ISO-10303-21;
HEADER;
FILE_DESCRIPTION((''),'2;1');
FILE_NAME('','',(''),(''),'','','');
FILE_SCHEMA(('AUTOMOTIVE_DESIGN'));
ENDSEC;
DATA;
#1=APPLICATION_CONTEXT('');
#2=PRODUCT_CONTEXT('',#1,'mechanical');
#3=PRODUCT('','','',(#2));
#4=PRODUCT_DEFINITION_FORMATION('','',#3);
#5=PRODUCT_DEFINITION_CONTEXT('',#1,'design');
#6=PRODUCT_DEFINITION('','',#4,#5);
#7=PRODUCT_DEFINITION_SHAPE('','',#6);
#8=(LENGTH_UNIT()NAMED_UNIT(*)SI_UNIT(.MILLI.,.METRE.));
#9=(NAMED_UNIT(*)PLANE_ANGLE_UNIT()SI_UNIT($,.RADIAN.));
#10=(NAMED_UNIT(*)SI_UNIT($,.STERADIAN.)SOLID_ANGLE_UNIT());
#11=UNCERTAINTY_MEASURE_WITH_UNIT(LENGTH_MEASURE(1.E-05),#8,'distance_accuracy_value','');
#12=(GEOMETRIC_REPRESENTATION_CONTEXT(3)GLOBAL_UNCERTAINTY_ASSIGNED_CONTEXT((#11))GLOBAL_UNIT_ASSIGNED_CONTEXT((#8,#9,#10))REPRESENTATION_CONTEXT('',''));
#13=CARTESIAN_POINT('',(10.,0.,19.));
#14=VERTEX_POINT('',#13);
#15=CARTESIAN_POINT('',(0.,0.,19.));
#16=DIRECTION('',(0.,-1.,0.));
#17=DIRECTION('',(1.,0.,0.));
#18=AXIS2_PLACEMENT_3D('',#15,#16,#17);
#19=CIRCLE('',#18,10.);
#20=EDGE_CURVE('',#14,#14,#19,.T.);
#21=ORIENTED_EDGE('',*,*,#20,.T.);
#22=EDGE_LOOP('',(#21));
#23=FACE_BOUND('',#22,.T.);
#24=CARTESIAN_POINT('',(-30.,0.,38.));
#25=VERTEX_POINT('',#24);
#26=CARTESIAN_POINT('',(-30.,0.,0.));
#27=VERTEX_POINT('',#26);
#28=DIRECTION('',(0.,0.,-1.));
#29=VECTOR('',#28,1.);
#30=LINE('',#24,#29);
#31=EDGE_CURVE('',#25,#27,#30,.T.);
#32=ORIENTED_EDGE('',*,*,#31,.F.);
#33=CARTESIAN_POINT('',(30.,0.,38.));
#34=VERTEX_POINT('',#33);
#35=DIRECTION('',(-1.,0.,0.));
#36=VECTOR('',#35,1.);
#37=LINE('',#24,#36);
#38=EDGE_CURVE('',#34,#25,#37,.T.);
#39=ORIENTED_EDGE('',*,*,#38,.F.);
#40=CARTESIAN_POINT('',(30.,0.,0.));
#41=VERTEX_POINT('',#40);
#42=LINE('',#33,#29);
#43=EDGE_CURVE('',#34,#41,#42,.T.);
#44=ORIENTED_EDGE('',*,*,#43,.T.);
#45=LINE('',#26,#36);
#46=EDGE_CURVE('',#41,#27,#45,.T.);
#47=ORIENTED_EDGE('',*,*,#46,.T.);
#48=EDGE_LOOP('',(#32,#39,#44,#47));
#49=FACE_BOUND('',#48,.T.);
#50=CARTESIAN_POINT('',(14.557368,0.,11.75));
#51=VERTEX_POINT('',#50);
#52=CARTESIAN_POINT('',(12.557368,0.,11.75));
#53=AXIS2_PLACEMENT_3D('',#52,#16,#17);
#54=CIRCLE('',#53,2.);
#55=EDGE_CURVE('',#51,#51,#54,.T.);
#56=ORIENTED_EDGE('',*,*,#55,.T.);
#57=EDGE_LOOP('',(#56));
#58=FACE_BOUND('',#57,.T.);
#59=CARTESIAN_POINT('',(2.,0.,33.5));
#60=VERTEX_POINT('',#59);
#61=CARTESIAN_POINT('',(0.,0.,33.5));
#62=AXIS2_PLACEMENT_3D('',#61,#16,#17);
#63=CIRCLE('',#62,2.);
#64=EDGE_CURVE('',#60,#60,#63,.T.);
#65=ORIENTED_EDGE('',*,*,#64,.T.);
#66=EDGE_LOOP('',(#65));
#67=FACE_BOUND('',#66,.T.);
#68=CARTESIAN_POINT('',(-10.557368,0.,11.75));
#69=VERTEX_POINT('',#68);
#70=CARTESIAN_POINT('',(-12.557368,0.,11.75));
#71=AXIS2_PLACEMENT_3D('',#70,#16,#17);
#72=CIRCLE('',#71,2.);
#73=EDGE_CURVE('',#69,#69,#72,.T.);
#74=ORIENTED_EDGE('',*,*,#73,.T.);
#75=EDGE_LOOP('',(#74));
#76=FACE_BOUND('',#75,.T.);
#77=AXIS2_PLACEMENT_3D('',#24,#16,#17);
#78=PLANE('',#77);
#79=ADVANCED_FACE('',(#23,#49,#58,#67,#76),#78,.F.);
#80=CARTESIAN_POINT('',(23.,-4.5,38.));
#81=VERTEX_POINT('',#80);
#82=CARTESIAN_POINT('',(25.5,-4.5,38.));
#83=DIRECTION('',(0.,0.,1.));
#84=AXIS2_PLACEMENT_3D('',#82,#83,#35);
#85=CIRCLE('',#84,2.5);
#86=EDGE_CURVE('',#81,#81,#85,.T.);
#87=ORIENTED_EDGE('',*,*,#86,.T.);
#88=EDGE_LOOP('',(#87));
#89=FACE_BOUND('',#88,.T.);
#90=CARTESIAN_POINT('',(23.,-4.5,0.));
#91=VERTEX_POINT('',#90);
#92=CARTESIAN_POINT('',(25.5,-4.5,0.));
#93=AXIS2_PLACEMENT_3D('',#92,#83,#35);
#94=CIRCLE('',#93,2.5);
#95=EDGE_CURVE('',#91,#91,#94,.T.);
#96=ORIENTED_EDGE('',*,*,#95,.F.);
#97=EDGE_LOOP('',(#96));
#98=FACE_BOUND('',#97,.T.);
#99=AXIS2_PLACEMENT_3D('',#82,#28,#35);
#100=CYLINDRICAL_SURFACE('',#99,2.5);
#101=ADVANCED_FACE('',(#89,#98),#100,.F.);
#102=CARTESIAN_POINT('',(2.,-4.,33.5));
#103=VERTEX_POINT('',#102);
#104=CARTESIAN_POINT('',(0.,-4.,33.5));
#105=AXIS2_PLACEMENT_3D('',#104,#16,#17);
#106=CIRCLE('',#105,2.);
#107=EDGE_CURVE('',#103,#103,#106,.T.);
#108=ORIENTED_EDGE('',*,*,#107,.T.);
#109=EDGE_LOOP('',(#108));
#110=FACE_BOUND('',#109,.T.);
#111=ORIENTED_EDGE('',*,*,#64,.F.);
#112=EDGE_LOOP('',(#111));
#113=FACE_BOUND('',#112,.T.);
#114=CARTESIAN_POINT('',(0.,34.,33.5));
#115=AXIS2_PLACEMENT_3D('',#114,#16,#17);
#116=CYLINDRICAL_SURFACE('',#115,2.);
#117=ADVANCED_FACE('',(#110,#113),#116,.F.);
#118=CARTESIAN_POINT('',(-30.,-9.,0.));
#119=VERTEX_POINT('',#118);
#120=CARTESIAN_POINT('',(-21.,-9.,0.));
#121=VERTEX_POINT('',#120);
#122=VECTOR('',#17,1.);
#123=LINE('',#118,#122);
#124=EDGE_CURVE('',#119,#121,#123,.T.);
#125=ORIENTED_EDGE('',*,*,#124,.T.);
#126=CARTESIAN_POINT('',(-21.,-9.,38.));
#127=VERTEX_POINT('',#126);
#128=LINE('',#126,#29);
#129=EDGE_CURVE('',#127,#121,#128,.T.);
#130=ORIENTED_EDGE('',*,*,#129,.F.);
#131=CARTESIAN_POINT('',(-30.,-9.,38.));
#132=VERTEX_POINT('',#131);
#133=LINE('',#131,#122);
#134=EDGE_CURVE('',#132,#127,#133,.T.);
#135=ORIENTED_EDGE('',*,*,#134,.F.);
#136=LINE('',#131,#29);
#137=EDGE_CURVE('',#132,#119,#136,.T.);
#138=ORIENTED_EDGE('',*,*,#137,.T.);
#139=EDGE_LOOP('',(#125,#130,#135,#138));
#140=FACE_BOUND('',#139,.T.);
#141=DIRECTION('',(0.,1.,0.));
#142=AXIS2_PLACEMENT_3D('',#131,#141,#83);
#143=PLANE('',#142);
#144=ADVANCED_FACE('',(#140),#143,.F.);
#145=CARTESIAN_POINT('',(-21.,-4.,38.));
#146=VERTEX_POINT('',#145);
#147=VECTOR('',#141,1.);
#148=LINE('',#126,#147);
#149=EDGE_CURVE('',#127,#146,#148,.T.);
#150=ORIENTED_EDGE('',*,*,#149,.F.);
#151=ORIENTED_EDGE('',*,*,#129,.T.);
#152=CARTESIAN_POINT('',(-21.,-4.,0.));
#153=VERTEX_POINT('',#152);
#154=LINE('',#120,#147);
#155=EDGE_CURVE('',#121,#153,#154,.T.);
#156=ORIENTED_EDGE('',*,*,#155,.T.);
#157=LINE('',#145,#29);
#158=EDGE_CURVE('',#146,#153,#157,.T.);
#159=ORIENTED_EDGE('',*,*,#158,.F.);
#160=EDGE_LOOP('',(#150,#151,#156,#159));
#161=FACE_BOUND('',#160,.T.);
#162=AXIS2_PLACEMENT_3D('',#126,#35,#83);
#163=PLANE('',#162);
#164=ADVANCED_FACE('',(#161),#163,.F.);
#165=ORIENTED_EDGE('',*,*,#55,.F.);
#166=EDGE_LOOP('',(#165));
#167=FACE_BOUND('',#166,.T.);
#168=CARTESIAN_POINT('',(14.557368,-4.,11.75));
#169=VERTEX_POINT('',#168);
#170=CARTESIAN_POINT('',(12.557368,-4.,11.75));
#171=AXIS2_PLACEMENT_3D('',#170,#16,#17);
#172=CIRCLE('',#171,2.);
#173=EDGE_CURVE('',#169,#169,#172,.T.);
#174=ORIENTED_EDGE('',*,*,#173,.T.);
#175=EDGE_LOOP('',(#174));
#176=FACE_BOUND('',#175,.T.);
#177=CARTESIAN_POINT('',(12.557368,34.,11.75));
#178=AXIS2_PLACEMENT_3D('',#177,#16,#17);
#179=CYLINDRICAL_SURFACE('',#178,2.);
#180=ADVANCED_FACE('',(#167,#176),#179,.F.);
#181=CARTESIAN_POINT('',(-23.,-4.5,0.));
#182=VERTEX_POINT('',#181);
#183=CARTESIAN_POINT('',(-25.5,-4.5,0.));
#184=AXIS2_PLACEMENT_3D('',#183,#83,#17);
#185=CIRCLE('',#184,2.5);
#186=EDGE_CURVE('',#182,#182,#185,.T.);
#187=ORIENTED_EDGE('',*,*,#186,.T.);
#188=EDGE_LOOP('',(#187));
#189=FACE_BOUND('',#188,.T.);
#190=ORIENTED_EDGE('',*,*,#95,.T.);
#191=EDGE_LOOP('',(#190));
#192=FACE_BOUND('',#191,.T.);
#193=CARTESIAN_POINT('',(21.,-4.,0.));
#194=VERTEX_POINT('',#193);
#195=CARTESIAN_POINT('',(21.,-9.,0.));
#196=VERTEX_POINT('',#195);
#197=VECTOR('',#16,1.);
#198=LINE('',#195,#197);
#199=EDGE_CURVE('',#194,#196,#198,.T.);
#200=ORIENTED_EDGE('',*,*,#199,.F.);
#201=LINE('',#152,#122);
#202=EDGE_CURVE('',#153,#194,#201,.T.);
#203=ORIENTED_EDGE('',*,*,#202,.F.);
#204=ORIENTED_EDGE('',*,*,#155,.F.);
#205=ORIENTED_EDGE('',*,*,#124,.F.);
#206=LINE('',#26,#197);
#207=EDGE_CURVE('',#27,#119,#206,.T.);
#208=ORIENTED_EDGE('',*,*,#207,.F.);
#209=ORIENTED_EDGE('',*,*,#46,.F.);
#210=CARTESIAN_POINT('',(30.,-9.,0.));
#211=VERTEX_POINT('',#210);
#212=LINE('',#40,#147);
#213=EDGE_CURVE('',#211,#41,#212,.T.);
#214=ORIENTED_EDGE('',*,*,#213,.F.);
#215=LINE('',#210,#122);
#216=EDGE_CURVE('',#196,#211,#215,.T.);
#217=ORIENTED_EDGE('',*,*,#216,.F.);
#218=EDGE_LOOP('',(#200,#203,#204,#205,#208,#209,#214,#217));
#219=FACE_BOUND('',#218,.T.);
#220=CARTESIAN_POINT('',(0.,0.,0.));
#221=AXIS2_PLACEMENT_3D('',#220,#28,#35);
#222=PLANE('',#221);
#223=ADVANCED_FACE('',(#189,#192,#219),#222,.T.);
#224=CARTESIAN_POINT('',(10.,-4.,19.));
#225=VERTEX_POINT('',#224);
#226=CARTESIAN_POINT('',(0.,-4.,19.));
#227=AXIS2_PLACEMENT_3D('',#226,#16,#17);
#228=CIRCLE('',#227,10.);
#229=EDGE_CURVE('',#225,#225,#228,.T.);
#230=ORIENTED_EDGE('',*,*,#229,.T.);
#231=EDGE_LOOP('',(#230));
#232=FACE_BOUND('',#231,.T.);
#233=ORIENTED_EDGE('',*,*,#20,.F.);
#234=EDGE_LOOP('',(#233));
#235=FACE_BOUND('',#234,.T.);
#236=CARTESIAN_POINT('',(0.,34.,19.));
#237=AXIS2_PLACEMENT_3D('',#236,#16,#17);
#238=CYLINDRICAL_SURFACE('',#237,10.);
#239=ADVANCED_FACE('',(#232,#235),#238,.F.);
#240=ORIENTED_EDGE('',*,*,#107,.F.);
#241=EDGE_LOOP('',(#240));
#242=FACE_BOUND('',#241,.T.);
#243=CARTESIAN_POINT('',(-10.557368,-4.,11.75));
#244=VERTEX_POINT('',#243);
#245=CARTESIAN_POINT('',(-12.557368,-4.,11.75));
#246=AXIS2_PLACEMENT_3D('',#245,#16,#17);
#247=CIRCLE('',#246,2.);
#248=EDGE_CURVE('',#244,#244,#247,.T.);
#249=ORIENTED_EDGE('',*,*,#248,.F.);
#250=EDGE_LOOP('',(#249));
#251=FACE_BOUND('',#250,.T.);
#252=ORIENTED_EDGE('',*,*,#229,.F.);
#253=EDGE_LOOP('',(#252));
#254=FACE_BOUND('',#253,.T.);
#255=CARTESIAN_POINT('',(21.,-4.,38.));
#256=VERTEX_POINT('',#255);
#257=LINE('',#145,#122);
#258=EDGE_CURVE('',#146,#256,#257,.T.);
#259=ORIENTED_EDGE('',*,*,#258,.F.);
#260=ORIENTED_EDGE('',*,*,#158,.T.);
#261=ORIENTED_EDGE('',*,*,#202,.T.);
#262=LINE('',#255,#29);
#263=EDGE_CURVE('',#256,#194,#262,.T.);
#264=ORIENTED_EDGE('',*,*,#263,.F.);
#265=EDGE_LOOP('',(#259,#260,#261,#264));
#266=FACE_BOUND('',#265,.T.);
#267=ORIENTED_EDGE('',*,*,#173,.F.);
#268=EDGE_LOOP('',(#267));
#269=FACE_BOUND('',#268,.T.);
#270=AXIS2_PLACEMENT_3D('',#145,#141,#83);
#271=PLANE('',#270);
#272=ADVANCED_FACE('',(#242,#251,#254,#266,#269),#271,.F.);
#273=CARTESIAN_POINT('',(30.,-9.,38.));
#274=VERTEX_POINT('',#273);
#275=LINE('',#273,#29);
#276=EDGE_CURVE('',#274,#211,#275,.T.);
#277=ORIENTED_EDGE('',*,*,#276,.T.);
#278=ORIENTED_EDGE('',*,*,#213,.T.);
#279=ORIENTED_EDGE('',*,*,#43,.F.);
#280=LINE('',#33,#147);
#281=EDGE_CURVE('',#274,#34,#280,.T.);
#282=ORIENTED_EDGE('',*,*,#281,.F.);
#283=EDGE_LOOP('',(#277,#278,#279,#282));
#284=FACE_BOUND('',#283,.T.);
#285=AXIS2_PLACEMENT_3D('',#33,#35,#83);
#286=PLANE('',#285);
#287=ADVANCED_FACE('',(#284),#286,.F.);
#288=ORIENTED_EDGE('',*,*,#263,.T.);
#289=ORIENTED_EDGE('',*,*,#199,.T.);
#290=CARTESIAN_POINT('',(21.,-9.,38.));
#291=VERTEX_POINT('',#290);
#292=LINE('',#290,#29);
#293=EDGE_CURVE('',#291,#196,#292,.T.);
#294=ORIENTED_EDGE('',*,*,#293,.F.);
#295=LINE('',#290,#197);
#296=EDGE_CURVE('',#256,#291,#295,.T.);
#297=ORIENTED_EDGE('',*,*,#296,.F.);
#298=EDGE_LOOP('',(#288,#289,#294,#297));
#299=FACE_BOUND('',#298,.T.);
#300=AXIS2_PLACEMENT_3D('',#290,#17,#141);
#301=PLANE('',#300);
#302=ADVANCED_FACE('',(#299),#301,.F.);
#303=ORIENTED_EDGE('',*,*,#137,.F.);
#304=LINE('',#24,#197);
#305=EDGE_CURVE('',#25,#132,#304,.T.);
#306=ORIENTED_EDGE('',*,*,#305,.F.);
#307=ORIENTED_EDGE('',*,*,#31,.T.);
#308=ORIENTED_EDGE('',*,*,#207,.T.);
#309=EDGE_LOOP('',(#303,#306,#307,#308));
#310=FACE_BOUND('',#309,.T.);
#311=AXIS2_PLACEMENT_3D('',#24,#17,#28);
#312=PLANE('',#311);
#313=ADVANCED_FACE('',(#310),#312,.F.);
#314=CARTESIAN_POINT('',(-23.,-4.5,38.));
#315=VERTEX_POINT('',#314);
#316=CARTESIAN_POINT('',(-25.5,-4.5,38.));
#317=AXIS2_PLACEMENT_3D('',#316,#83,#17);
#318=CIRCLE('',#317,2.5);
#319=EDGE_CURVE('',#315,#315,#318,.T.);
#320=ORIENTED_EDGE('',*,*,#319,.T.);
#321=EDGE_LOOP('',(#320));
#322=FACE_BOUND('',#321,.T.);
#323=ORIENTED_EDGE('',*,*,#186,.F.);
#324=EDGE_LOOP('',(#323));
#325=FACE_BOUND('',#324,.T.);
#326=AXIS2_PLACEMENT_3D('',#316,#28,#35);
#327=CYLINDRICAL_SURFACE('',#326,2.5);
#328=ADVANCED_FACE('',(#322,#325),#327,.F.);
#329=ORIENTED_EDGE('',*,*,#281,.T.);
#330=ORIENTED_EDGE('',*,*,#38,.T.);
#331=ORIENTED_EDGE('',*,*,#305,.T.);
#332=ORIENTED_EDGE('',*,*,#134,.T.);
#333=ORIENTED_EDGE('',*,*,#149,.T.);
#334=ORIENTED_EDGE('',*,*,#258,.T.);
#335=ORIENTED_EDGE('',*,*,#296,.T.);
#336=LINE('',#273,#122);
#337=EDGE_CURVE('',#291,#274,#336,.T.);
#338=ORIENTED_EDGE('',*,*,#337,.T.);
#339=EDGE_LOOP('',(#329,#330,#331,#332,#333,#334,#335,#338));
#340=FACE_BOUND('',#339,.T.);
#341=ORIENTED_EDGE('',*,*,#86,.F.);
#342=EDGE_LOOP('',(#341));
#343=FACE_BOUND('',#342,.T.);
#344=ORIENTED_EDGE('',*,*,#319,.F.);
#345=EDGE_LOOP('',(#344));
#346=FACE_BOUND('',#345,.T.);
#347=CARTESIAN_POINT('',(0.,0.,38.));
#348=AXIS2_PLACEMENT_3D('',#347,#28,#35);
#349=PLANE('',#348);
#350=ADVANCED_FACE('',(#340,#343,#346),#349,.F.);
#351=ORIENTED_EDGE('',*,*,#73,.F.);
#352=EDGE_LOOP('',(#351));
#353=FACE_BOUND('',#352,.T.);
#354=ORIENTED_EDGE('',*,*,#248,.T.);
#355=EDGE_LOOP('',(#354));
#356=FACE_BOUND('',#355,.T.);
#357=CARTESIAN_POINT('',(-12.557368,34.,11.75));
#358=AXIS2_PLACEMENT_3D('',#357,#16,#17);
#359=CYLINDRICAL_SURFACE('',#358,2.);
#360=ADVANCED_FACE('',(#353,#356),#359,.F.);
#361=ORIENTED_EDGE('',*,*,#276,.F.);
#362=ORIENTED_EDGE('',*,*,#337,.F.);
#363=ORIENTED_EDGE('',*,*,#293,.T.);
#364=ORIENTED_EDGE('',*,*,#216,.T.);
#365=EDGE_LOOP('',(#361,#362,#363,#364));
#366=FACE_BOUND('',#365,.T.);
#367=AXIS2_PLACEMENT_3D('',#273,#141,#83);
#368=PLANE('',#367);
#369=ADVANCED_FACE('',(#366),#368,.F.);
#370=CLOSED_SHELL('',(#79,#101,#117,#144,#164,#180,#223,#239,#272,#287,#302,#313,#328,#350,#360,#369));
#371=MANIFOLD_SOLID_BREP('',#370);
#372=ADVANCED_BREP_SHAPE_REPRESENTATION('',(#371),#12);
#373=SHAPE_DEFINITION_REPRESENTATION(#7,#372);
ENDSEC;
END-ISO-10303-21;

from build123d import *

# Parameters (mm, degrees)
SKETCH1_R           = 2.5
BOSS_EXTRUDE1_DEPTH = 38
SKETCH2_R           = 10
SKETCH2_R_2         = 2
CUT_EXTRUDE1_DEPTH  = 38


with BuildPart() as part:
    # Sketch1 → Boss-Extrude1 (new body)
    with BuildSketch(Plane.XY):
        Polygon((-30, 0), (-30, -9), (-21, -9), (-21, -4), (21, -4), (21, -9), (30, -9), (30, 0), align=None)
        with Locations((-25.5, -4.5)):
            Circle(SKETCH1_R, mode=Mode.SUBTRACT)
        with Locations((25.5, -4.5)):
            Circle(SKETCH1_R, mode=Mode.SUBTRACT)
    extrude(amount=BOSS_EXTRUDE1_DEPTH)

    # Sketch2 → Cut-Extrude1 (cut)
    with BuildSketch(Plane.XZ.offset(4)):
        with Locations((0, 19)):
            Circle(SKETCH2_R)
        with Locations((0, 33.5)):
            Circle(SKETCH2_R_2)
        with Locations((12.557368355, 11.75)):
            Circle(SKETCH2_R_2)
        with Locations((-12.557368355, 11.75)):
            Circle(SKETCH2_R_2)
    extrude(amount=-CUT_EXTRUDE1_DEPTH, mode=Mode.SUBTRACT)


solid = part.part
